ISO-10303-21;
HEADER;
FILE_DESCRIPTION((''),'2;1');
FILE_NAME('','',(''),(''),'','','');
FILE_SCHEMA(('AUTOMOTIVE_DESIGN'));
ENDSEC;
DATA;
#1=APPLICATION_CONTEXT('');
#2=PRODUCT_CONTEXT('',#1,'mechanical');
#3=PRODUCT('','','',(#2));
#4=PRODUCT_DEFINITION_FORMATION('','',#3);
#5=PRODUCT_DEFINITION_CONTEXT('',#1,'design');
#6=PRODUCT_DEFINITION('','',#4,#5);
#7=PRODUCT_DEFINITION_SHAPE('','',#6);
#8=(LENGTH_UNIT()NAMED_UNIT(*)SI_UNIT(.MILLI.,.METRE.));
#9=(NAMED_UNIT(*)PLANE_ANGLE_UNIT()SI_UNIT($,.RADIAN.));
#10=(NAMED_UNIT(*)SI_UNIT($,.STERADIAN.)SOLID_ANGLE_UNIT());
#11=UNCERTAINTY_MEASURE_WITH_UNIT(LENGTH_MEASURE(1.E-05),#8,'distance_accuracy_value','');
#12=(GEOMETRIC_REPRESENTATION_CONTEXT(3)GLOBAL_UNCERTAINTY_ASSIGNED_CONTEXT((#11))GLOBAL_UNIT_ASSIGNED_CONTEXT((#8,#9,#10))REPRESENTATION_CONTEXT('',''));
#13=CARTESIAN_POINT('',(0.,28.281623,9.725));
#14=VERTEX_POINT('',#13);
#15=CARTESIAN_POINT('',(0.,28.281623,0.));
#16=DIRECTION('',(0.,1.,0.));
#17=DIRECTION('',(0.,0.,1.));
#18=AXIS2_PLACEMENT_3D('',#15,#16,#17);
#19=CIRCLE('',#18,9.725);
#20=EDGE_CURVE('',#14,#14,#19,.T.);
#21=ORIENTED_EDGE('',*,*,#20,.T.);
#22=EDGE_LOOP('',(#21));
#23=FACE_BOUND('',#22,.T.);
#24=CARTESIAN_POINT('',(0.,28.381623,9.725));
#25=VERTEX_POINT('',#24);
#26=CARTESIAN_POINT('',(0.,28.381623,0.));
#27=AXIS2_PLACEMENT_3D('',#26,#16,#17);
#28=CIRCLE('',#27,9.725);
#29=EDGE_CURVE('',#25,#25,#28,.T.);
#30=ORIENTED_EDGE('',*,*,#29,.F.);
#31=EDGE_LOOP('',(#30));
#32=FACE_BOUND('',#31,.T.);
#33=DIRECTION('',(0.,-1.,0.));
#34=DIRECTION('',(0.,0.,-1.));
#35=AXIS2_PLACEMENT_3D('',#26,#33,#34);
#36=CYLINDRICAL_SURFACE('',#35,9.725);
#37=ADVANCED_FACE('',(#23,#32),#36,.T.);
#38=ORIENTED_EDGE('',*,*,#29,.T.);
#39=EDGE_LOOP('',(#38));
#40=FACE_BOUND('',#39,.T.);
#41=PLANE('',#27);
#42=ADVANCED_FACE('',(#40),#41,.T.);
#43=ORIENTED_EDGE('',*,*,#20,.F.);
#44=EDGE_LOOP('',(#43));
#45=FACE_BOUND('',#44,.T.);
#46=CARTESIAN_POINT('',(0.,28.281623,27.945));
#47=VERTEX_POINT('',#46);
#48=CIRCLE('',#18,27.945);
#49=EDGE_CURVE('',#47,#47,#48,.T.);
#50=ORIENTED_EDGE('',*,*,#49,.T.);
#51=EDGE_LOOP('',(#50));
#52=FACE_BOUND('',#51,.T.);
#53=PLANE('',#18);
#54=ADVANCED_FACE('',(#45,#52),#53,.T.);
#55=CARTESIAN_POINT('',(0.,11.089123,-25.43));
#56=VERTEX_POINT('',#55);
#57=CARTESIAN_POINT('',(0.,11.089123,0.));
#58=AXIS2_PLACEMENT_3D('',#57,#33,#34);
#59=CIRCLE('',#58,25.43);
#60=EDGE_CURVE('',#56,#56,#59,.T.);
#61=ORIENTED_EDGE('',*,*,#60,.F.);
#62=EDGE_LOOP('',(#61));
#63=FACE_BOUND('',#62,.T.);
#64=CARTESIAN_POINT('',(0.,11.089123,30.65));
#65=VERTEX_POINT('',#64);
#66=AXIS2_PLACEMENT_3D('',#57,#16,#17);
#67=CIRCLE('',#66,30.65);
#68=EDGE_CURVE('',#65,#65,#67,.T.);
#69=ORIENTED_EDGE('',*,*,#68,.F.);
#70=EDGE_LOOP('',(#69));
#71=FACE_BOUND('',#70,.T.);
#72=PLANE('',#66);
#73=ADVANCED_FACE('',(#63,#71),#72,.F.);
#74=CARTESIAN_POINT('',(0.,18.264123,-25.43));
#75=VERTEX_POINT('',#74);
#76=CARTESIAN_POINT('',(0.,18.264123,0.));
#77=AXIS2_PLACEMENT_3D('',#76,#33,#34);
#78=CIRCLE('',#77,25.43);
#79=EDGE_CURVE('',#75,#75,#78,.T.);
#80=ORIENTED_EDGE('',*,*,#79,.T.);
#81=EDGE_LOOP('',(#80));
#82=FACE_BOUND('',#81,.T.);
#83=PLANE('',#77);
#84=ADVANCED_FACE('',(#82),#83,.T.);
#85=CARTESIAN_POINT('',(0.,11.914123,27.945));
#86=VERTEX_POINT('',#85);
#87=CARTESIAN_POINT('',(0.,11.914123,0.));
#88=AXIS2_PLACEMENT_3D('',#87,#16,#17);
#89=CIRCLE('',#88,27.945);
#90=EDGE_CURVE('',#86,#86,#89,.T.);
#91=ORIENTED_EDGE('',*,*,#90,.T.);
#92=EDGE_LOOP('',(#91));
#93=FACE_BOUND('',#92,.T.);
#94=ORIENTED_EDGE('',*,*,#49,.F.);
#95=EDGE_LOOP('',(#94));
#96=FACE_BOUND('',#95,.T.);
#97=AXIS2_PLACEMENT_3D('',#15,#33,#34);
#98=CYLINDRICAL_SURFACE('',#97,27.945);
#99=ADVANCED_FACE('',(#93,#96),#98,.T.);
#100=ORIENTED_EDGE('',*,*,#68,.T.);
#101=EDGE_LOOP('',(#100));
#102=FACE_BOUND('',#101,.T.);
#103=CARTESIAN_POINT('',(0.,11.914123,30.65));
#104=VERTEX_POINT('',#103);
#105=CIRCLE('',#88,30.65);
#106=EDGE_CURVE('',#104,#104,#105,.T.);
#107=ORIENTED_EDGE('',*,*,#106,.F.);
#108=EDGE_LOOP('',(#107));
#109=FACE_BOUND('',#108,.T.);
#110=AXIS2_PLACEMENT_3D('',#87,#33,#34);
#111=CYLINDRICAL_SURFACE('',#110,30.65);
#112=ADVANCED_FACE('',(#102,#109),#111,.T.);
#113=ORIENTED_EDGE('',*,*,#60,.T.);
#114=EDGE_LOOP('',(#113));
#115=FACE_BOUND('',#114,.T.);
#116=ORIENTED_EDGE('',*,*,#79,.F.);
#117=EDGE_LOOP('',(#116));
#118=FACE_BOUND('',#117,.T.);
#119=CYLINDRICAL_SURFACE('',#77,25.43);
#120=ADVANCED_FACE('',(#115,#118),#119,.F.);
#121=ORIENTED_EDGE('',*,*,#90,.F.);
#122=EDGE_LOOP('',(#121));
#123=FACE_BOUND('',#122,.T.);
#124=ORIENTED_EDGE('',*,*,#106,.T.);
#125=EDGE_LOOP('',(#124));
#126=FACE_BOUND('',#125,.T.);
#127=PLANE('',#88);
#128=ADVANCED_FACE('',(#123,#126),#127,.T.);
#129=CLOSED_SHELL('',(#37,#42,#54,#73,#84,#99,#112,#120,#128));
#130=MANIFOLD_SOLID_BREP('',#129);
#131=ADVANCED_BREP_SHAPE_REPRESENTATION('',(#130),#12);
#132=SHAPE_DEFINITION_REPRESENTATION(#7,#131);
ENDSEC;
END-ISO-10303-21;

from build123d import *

# Parameters (mm, degrees)
SKETCH1_R           = 61.3
BOSS_EXTRUDE1_DEPTH = 1.65
SKETCH2_R           = 55.89
BOSS_EXTRUDE2_DEPTH = 32.735
SKETCH3_R           = 50.86
CUT_EXTRUDE1_DEPTH  = 14.35
SKETCH5_R           = 19.45
BOSS_EXTRUDE3_DEPTH = 0.2
SCALE2_SCALE        = 0.5


with BuildPart() as part:
    # Sketch1 → Boss-Extrude1 (new body)
    with BuildSketch(Plane(origin=(0, 0, 0), x_dir=(1, 0, 0), z_dir=(0, 1, 0))):
        Circle(SKETCH1_R)
    extrude(amount=BOSS_EXTRUDE1_DEPTH)

    # Sketch2 → Boss-Extrude2 (add)
    with BuildSketch(Plane(origin=(0, 1.65, 0), x_dir=(1, 0, 0), z_dir=(0, 1, 0))):
        Circle(SKETCH2_R)
    extrude(amount=BOSS_EXTRUDE2_DEPTH)

    # Sketch3 → Cut-Extrude1 (cut)
    with BuildSketch(Plane.XZ):
        Circle(SKETCH3_R)
    extrude(amount=-CUT_EXTRUDE1_DEPTH, mode=Mode.SUBTRACT)

    # Sketch5 → Boss-Extrude3 (add)
    with BuildSketch(Plane(origin=(0, 34.385, 0), x_dir=(1, 0, 0), z_dir=(0, 1, 0))):
        Circle(SKETCH5_R)
    extrude(amount=BOSS_EXTRUDE3_DEPTH)


with BuildPart() as part_1:
    # Scale2: scaled about (0, 22.178245993, 0)
    add(part.part.scale(SCALE2_SCALE).moved(Location((0, 11.089122997, 0))))


solid = part_1.part
